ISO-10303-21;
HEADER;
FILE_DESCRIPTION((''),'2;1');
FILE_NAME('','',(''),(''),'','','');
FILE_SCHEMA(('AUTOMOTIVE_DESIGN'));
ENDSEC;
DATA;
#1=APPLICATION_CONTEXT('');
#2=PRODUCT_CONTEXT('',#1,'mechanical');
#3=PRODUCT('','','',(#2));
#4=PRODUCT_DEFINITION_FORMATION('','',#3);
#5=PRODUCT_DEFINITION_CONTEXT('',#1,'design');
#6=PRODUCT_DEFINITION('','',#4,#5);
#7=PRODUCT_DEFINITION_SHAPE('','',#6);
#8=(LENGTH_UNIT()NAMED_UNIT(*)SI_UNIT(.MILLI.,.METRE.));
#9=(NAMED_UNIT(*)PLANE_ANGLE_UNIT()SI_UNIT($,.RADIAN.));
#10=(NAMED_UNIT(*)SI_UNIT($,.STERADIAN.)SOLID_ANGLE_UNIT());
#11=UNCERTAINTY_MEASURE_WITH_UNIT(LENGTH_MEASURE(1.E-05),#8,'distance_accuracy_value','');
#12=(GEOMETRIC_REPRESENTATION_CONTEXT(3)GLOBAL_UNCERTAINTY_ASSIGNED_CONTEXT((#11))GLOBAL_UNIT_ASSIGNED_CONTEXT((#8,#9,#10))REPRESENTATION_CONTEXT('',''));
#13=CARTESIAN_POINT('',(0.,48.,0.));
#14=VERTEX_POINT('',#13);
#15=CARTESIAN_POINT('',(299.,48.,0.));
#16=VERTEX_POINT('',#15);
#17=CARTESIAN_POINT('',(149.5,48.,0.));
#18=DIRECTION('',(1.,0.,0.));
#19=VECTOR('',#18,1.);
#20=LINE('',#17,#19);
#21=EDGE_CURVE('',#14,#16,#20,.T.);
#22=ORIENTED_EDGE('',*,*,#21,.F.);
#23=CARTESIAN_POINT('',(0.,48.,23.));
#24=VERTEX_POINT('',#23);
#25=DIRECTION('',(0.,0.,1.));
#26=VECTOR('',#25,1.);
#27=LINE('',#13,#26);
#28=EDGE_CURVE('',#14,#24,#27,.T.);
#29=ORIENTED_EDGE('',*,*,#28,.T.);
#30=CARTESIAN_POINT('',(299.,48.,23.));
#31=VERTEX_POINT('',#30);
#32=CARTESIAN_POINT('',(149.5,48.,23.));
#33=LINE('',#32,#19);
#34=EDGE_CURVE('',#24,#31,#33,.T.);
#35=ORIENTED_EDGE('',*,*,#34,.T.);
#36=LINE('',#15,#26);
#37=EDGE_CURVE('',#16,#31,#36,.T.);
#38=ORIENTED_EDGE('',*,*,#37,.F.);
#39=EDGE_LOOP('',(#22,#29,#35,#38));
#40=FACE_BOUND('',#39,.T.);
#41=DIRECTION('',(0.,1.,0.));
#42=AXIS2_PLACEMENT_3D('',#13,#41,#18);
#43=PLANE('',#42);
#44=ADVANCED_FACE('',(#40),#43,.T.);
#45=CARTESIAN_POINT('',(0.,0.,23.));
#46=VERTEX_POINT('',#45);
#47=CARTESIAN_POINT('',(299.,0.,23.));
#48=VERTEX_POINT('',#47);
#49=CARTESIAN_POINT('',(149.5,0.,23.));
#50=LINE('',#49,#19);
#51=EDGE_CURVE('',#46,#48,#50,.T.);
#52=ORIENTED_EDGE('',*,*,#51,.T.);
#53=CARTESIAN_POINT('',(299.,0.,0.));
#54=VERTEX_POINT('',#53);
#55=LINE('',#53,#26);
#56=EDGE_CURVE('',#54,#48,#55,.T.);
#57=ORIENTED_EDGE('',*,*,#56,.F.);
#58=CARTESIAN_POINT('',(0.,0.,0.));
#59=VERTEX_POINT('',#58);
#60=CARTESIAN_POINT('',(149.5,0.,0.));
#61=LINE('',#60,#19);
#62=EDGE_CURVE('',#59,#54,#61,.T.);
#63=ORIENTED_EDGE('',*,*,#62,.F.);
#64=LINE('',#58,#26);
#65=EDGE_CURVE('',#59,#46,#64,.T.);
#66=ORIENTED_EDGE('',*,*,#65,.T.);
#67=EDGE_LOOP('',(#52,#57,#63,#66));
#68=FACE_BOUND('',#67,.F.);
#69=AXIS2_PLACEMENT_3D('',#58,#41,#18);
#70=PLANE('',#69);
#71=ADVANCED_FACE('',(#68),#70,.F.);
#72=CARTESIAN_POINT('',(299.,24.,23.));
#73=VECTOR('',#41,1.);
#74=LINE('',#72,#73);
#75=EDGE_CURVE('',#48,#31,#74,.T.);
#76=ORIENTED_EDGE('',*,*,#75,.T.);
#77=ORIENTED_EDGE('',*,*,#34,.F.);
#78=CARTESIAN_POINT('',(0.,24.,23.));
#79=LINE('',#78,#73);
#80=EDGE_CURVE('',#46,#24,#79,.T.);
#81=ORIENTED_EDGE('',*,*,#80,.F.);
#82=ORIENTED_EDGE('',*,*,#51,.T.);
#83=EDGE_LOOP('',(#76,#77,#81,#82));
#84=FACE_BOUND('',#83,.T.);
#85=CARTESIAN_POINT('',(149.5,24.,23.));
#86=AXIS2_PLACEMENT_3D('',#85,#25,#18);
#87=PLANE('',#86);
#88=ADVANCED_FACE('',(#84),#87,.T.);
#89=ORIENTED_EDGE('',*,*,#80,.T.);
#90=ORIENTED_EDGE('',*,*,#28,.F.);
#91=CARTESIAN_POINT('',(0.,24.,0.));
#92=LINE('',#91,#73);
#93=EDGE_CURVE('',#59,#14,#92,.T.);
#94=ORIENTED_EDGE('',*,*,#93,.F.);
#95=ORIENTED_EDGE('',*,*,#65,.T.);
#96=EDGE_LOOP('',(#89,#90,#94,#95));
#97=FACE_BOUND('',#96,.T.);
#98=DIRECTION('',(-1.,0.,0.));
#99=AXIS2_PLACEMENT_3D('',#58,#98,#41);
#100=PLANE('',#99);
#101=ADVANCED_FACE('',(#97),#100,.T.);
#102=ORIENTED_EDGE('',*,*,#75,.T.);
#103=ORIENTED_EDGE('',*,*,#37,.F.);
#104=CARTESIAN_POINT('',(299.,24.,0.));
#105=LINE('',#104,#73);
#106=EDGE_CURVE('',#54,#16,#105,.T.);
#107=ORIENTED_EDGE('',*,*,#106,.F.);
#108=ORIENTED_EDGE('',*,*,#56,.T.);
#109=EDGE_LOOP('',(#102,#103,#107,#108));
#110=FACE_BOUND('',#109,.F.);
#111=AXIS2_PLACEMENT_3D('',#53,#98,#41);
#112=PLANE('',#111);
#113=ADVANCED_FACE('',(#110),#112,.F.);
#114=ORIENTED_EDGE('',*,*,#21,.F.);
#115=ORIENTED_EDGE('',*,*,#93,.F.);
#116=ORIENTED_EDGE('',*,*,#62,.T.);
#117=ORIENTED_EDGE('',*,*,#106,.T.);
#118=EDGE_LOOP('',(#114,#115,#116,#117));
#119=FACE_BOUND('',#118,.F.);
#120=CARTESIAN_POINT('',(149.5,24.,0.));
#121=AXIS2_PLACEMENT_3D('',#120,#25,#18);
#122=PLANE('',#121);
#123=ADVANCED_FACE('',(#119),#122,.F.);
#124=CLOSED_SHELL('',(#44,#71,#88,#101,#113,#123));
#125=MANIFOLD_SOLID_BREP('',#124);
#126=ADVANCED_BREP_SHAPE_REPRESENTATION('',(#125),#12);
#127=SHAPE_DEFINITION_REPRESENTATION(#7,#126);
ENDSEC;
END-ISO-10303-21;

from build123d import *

# Parameters (mm, degrees)
BOX_W     = 299
BOX_H     = 48
BOX_DEPTH = 23


with BuildPart() as part:
    # Box → Box (new body)
    with BuildSketch(Plane.XY):
        with Locations((149.5, 24)):
            Rectangle(BOX_W, BOX_H)
    extrude(amount=BOX_DEPTH)


solid = part.part
